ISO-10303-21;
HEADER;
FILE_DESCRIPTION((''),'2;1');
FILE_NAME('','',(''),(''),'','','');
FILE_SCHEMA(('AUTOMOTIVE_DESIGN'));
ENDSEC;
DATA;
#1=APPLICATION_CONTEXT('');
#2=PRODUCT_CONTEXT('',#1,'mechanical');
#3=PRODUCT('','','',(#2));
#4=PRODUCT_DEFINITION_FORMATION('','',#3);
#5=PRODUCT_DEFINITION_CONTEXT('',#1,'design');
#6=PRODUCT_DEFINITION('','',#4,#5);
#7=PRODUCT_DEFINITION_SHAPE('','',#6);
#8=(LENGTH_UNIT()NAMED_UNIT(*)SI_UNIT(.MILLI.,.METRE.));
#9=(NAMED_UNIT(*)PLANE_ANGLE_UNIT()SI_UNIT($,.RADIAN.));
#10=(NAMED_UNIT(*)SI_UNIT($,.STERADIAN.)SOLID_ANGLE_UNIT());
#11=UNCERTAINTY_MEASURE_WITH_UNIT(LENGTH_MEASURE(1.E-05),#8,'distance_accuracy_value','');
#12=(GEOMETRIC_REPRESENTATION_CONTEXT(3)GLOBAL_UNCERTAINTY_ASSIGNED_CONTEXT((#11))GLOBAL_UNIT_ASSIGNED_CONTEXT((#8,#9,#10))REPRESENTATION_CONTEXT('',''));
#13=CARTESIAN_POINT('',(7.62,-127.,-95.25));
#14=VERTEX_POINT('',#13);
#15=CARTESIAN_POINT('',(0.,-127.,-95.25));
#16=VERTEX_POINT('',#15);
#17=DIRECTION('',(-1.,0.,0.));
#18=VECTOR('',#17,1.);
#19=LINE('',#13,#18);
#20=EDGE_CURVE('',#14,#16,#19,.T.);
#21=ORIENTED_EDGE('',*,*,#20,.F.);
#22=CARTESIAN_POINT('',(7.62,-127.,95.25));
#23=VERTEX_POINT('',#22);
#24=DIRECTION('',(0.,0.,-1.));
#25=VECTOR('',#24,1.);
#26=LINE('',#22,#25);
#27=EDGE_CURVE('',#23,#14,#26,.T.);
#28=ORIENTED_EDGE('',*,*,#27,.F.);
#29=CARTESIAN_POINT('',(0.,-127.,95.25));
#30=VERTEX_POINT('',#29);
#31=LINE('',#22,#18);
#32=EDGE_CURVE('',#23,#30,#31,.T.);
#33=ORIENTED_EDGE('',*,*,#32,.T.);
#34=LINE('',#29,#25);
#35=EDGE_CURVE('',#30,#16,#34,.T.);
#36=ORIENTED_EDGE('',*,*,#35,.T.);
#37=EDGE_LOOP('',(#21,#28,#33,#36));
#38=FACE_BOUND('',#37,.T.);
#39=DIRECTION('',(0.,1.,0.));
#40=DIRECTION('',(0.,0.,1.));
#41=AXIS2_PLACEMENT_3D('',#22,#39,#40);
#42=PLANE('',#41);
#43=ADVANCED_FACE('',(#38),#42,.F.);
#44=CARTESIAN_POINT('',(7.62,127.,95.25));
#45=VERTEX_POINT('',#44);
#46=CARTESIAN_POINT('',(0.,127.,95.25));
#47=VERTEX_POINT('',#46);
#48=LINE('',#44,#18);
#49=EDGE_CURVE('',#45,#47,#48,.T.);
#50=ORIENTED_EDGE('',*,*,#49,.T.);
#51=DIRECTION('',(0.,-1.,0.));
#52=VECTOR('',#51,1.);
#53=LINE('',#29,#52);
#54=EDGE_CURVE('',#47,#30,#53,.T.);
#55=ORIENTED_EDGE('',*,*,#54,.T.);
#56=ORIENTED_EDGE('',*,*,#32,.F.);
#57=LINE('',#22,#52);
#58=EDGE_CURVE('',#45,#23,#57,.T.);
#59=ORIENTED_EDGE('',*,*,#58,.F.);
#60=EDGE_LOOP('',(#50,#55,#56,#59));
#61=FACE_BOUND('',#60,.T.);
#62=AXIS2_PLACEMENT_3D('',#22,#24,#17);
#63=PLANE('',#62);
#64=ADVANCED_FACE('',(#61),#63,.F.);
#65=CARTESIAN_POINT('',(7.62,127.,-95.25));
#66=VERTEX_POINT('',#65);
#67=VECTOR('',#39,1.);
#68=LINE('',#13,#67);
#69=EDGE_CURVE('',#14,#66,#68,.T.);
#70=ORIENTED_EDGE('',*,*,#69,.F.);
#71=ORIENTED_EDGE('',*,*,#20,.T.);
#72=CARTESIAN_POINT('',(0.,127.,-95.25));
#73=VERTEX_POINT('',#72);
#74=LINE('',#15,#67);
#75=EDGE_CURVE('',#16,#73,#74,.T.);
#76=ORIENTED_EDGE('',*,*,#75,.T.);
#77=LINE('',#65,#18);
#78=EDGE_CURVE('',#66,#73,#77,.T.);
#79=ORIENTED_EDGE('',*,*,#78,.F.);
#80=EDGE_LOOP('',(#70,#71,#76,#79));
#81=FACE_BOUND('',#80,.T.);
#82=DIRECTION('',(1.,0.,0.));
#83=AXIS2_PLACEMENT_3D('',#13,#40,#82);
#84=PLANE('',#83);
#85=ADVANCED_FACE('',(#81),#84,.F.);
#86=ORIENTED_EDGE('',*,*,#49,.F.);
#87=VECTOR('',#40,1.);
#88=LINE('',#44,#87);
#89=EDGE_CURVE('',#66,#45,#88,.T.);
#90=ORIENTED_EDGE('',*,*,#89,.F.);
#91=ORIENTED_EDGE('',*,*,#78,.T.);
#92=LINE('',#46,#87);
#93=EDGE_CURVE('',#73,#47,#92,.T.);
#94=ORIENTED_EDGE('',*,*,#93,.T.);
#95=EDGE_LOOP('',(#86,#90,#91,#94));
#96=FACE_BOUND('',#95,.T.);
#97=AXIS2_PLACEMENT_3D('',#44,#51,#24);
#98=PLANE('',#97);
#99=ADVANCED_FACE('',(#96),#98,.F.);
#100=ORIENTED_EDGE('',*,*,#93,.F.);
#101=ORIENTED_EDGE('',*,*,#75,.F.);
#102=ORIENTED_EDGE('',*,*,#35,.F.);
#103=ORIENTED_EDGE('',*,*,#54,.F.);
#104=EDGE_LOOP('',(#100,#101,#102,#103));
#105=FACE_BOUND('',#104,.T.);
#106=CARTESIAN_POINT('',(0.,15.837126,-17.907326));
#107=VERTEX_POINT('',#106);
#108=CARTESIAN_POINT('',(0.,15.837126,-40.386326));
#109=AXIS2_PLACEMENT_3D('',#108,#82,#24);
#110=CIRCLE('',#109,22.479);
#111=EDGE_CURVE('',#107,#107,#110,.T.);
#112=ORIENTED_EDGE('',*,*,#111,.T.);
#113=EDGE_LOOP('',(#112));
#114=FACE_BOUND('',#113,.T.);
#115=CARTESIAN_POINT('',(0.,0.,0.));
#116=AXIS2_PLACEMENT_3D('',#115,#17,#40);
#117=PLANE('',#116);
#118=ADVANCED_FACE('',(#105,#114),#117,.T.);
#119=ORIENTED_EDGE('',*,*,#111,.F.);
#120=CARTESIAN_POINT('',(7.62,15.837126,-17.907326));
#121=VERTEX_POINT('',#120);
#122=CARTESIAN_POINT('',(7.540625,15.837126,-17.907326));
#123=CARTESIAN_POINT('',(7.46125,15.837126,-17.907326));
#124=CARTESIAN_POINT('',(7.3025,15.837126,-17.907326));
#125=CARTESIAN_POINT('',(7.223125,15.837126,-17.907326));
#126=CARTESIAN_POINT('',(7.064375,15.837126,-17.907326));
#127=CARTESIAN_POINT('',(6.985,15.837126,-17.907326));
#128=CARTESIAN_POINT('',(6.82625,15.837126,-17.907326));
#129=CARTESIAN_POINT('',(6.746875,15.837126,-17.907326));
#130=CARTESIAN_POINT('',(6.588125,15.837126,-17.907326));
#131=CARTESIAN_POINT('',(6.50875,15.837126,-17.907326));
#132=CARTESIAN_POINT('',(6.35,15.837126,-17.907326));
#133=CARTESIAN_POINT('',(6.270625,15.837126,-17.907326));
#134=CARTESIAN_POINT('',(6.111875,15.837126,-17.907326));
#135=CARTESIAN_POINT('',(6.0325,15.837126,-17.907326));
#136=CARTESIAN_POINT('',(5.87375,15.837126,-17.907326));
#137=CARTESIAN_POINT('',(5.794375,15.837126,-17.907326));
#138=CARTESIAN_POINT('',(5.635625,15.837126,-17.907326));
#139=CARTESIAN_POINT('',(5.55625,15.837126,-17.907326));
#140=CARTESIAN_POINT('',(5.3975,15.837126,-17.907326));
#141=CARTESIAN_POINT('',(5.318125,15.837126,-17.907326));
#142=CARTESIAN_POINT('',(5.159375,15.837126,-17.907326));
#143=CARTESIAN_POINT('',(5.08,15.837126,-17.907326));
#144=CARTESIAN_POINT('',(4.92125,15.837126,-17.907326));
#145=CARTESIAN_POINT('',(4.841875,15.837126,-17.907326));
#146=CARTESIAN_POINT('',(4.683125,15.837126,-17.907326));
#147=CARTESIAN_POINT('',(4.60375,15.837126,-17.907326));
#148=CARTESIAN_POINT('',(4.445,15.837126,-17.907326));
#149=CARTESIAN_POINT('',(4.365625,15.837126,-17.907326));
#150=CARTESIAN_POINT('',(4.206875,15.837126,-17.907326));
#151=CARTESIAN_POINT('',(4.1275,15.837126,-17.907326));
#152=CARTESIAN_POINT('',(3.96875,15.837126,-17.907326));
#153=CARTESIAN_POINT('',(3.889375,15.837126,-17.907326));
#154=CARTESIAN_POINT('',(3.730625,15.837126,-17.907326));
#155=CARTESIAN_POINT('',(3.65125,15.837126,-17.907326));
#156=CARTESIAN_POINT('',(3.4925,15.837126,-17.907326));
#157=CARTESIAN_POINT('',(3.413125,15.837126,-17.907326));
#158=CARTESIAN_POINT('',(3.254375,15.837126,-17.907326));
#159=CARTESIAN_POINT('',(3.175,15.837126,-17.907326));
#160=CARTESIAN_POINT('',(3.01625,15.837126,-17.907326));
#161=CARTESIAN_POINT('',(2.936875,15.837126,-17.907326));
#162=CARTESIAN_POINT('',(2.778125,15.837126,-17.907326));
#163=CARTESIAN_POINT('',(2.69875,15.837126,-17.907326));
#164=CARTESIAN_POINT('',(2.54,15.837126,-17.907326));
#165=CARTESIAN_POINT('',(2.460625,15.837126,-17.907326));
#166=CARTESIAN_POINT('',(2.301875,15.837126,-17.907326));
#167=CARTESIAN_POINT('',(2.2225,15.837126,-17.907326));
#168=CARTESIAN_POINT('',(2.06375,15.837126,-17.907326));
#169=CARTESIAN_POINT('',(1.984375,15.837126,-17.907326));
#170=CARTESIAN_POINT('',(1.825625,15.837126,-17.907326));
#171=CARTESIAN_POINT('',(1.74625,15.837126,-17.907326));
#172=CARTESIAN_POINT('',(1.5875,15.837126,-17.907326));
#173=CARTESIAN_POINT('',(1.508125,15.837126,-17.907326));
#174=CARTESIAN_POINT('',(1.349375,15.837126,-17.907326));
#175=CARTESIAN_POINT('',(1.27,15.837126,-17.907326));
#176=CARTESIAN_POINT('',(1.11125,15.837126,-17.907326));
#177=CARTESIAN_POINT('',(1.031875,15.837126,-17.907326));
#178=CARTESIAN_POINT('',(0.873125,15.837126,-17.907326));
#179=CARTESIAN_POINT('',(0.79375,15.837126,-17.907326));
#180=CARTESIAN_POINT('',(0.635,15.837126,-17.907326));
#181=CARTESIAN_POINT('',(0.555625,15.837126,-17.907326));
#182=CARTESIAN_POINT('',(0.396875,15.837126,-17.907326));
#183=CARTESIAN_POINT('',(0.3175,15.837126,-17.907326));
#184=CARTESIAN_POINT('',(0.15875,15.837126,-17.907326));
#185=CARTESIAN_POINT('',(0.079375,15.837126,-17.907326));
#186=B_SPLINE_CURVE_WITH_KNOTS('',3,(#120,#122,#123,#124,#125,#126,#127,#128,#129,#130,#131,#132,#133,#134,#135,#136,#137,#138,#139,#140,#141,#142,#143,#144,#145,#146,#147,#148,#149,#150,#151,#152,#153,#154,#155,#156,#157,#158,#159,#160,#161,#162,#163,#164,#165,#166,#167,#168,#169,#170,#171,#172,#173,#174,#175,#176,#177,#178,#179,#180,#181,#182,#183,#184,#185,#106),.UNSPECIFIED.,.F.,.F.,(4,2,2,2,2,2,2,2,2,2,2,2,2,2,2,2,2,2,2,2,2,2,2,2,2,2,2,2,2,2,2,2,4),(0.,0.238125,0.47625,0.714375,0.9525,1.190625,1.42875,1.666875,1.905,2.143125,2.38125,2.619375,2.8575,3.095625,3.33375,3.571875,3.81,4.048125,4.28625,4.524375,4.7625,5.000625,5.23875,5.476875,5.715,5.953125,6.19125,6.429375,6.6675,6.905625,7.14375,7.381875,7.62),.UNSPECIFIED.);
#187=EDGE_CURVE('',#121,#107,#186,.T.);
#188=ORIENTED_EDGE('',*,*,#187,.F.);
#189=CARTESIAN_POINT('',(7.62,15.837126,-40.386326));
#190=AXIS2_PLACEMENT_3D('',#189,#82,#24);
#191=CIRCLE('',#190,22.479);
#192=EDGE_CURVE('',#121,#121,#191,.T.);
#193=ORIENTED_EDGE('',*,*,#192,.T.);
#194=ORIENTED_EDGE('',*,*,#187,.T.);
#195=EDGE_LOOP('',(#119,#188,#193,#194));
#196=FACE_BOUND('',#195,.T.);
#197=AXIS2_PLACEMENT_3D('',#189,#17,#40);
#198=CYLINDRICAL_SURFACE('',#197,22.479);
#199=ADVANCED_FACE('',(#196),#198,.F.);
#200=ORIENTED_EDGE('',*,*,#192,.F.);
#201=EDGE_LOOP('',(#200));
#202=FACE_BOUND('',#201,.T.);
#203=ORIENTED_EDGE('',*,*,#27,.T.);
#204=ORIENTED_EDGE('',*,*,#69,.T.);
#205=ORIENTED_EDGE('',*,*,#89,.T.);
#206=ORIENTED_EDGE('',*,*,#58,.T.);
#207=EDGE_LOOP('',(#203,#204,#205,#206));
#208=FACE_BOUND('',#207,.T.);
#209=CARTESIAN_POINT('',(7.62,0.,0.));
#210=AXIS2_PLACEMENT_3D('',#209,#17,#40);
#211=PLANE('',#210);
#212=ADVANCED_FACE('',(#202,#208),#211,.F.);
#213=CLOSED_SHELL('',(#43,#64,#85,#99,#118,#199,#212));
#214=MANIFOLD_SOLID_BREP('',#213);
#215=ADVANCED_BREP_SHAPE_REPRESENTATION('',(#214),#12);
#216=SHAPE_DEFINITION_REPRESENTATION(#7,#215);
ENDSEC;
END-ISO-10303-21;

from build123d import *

# Parameters (mm, degrees)
SKETCH1_W           = 190.5
SKETCH1_H           = 254
SKETCH1_R           = 22.479
BOSS_EXTRUDE1_DEPTH = 7.62


with BuildPart() as part:
    # Sketch1 → Boss-Extrude1 (new body)
    with BuildSketch(Plane(origin=(0, 0, 0), x_dir=(0, 0, -1), z_dir=(1, 0, 0))):
        Rectangle(SKETCH1_W, SKETCH1_H)
        with Locations(Location((40.38632569, 15.837125703, 0), (0, 0, 180))):
            Circle(SKETCH1_R, mode=Mode.SUBTRACT)
    extrude(amount=BOSS_EXTRUDE1_DEPTH)


solid = part.part
